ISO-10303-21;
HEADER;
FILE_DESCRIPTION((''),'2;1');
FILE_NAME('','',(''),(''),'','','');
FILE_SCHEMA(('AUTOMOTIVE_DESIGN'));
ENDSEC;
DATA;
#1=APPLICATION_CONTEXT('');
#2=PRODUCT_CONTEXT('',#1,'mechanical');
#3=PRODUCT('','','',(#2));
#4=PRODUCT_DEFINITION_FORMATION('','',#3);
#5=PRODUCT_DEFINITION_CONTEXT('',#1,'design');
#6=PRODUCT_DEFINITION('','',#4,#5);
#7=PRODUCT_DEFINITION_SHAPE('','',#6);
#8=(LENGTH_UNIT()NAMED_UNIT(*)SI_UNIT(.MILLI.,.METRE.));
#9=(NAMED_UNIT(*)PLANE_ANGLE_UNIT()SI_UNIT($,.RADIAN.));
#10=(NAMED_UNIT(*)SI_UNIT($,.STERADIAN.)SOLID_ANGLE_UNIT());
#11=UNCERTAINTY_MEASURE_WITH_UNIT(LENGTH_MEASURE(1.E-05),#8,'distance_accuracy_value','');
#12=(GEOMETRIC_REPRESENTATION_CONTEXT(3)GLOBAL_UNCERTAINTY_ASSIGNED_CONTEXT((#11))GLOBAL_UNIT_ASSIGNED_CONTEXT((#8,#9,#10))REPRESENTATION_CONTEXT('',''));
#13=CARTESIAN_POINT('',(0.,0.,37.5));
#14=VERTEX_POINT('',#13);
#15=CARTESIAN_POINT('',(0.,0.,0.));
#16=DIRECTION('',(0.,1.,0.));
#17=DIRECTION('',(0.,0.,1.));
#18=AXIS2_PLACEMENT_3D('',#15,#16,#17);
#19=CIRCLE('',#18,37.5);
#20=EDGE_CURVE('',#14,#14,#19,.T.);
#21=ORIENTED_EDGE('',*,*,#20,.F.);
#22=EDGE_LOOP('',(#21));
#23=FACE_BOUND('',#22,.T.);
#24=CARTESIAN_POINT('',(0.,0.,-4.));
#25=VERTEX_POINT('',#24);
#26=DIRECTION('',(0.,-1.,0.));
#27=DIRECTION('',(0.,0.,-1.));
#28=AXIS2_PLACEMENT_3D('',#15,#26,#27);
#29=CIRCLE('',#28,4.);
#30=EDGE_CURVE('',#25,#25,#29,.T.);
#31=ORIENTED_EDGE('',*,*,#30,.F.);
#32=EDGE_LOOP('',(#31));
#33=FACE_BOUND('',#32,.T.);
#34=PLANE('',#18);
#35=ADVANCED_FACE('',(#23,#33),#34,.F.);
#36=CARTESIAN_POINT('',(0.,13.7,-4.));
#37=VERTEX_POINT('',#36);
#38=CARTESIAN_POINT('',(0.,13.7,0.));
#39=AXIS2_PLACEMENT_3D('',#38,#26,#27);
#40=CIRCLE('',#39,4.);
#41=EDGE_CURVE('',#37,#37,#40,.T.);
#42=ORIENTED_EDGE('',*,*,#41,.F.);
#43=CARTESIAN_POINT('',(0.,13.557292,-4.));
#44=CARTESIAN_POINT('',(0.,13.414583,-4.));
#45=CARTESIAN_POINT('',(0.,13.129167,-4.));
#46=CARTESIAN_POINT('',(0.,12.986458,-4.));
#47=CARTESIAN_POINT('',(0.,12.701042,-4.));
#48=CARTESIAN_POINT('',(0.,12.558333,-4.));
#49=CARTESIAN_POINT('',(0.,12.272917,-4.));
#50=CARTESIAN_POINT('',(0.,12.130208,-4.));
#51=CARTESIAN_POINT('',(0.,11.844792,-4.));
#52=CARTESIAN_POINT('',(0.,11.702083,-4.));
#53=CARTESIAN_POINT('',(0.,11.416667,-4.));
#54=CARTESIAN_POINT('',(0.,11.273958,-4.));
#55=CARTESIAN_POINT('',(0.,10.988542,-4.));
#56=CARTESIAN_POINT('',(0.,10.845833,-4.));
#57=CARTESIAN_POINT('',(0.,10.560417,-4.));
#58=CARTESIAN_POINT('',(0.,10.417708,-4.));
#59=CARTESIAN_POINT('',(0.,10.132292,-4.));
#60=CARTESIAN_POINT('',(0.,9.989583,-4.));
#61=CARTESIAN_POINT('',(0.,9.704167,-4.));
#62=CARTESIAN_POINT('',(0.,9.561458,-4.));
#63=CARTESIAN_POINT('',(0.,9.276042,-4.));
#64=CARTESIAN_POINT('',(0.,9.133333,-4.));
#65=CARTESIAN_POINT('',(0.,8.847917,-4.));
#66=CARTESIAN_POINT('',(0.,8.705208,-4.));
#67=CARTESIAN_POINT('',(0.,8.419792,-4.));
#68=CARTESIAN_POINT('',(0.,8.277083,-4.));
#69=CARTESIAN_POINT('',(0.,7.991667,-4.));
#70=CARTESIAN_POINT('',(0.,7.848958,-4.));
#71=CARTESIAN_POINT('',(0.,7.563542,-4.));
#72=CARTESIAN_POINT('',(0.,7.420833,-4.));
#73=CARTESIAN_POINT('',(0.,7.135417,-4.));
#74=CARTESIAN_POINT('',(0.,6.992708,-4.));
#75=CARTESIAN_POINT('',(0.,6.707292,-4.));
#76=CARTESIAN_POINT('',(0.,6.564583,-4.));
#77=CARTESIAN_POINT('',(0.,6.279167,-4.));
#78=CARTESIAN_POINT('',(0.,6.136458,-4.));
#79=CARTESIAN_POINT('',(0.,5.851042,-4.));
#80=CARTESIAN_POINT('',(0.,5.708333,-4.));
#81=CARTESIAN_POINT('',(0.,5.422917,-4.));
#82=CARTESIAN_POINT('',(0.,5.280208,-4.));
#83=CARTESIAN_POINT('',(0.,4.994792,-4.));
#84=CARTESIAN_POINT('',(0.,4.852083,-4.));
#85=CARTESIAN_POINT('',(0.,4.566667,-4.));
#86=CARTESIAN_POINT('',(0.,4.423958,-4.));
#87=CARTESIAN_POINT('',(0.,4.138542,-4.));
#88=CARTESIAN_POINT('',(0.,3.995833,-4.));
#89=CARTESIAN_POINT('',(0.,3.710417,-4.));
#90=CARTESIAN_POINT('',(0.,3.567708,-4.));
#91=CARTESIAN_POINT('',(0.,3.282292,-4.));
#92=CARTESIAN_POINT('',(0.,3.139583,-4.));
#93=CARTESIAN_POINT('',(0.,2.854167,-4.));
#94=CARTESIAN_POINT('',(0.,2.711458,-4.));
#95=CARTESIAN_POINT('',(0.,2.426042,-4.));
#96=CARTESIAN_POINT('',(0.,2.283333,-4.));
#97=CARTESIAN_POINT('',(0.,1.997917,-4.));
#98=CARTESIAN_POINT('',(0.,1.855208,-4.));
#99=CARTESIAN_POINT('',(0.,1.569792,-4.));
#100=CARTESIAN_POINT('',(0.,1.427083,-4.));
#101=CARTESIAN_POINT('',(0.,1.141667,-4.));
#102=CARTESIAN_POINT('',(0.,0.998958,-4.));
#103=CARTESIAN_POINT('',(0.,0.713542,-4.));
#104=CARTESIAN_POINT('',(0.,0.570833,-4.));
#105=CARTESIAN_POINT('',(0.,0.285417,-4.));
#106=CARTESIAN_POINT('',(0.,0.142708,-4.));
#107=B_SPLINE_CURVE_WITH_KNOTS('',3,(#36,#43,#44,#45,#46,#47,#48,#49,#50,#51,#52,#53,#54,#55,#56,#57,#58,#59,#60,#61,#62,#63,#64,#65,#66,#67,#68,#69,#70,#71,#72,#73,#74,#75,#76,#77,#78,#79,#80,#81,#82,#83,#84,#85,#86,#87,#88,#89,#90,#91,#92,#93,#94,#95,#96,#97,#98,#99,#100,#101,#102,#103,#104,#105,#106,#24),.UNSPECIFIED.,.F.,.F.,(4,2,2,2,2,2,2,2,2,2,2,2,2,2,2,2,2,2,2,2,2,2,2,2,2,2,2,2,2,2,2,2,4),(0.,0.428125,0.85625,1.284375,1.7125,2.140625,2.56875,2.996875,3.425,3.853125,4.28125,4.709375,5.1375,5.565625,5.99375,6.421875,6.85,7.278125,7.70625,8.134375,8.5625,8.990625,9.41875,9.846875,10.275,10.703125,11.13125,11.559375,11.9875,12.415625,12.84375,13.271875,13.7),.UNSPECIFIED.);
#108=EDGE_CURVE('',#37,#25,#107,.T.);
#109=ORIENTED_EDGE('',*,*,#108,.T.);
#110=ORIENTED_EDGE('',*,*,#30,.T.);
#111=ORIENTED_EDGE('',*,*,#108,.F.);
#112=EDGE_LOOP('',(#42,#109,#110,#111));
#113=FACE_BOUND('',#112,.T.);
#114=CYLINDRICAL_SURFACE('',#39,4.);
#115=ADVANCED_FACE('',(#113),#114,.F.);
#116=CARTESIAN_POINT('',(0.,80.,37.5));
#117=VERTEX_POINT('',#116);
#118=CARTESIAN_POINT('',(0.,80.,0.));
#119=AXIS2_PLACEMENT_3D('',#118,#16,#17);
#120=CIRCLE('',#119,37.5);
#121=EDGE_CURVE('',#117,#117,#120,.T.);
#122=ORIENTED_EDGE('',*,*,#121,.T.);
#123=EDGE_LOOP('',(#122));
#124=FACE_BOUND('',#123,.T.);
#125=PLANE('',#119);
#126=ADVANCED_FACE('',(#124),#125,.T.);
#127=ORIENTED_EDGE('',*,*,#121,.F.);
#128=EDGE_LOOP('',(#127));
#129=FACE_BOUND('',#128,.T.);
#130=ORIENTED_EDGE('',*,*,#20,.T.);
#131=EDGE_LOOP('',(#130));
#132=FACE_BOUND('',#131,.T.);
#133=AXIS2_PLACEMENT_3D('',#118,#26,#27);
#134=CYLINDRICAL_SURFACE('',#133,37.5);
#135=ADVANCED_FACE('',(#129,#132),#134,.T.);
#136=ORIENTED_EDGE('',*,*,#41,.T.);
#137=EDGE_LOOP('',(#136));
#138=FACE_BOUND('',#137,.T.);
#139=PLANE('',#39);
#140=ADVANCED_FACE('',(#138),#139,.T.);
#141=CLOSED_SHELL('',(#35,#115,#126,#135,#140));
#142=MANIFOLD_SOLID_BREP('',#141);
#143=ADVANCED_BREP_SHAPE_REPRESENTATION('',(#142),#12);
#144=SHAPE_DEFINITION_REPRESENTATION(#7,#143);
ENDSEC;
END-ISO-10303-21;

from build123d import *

# Parameters (mm, degrees)
ESQUISSE1_R             = 37.5
BOSS_EXTRU_1_DEPTH      = 80
ESQUISSE2_R             = 4
ENL_V_MAT_EXTRU_1_DEPTH = 13.7


with BuildPart() as part:
    # Esquisse1 → Boss.-Extru.1 (new body)
    with BuildSketch(Plane(origin=(0, 0, 0), x_dir=(1, 0, 0), z_dir=(0, 1, 0))):
        with Locations(Location((0, 0, 0), (0, 0, 270))):
            Circle(ESQUISSE1_R)
    extrude(amount=BOSS_EXTRU_1_DEPTH)

    # Esquisse2 → Enlèv. mat.-Extru.1 (cut)
    with BuildSketch(Plane.XZ):
        with Locations(Location((0, 0, 0), (0, 0, 270))):
            Circle(ESQUISSE2_R)
    extrude(amount=-ENL_V_MAT_EXTRU_1_DEPTH, mode=Mode.SUBTRACT)


solid = part.part
